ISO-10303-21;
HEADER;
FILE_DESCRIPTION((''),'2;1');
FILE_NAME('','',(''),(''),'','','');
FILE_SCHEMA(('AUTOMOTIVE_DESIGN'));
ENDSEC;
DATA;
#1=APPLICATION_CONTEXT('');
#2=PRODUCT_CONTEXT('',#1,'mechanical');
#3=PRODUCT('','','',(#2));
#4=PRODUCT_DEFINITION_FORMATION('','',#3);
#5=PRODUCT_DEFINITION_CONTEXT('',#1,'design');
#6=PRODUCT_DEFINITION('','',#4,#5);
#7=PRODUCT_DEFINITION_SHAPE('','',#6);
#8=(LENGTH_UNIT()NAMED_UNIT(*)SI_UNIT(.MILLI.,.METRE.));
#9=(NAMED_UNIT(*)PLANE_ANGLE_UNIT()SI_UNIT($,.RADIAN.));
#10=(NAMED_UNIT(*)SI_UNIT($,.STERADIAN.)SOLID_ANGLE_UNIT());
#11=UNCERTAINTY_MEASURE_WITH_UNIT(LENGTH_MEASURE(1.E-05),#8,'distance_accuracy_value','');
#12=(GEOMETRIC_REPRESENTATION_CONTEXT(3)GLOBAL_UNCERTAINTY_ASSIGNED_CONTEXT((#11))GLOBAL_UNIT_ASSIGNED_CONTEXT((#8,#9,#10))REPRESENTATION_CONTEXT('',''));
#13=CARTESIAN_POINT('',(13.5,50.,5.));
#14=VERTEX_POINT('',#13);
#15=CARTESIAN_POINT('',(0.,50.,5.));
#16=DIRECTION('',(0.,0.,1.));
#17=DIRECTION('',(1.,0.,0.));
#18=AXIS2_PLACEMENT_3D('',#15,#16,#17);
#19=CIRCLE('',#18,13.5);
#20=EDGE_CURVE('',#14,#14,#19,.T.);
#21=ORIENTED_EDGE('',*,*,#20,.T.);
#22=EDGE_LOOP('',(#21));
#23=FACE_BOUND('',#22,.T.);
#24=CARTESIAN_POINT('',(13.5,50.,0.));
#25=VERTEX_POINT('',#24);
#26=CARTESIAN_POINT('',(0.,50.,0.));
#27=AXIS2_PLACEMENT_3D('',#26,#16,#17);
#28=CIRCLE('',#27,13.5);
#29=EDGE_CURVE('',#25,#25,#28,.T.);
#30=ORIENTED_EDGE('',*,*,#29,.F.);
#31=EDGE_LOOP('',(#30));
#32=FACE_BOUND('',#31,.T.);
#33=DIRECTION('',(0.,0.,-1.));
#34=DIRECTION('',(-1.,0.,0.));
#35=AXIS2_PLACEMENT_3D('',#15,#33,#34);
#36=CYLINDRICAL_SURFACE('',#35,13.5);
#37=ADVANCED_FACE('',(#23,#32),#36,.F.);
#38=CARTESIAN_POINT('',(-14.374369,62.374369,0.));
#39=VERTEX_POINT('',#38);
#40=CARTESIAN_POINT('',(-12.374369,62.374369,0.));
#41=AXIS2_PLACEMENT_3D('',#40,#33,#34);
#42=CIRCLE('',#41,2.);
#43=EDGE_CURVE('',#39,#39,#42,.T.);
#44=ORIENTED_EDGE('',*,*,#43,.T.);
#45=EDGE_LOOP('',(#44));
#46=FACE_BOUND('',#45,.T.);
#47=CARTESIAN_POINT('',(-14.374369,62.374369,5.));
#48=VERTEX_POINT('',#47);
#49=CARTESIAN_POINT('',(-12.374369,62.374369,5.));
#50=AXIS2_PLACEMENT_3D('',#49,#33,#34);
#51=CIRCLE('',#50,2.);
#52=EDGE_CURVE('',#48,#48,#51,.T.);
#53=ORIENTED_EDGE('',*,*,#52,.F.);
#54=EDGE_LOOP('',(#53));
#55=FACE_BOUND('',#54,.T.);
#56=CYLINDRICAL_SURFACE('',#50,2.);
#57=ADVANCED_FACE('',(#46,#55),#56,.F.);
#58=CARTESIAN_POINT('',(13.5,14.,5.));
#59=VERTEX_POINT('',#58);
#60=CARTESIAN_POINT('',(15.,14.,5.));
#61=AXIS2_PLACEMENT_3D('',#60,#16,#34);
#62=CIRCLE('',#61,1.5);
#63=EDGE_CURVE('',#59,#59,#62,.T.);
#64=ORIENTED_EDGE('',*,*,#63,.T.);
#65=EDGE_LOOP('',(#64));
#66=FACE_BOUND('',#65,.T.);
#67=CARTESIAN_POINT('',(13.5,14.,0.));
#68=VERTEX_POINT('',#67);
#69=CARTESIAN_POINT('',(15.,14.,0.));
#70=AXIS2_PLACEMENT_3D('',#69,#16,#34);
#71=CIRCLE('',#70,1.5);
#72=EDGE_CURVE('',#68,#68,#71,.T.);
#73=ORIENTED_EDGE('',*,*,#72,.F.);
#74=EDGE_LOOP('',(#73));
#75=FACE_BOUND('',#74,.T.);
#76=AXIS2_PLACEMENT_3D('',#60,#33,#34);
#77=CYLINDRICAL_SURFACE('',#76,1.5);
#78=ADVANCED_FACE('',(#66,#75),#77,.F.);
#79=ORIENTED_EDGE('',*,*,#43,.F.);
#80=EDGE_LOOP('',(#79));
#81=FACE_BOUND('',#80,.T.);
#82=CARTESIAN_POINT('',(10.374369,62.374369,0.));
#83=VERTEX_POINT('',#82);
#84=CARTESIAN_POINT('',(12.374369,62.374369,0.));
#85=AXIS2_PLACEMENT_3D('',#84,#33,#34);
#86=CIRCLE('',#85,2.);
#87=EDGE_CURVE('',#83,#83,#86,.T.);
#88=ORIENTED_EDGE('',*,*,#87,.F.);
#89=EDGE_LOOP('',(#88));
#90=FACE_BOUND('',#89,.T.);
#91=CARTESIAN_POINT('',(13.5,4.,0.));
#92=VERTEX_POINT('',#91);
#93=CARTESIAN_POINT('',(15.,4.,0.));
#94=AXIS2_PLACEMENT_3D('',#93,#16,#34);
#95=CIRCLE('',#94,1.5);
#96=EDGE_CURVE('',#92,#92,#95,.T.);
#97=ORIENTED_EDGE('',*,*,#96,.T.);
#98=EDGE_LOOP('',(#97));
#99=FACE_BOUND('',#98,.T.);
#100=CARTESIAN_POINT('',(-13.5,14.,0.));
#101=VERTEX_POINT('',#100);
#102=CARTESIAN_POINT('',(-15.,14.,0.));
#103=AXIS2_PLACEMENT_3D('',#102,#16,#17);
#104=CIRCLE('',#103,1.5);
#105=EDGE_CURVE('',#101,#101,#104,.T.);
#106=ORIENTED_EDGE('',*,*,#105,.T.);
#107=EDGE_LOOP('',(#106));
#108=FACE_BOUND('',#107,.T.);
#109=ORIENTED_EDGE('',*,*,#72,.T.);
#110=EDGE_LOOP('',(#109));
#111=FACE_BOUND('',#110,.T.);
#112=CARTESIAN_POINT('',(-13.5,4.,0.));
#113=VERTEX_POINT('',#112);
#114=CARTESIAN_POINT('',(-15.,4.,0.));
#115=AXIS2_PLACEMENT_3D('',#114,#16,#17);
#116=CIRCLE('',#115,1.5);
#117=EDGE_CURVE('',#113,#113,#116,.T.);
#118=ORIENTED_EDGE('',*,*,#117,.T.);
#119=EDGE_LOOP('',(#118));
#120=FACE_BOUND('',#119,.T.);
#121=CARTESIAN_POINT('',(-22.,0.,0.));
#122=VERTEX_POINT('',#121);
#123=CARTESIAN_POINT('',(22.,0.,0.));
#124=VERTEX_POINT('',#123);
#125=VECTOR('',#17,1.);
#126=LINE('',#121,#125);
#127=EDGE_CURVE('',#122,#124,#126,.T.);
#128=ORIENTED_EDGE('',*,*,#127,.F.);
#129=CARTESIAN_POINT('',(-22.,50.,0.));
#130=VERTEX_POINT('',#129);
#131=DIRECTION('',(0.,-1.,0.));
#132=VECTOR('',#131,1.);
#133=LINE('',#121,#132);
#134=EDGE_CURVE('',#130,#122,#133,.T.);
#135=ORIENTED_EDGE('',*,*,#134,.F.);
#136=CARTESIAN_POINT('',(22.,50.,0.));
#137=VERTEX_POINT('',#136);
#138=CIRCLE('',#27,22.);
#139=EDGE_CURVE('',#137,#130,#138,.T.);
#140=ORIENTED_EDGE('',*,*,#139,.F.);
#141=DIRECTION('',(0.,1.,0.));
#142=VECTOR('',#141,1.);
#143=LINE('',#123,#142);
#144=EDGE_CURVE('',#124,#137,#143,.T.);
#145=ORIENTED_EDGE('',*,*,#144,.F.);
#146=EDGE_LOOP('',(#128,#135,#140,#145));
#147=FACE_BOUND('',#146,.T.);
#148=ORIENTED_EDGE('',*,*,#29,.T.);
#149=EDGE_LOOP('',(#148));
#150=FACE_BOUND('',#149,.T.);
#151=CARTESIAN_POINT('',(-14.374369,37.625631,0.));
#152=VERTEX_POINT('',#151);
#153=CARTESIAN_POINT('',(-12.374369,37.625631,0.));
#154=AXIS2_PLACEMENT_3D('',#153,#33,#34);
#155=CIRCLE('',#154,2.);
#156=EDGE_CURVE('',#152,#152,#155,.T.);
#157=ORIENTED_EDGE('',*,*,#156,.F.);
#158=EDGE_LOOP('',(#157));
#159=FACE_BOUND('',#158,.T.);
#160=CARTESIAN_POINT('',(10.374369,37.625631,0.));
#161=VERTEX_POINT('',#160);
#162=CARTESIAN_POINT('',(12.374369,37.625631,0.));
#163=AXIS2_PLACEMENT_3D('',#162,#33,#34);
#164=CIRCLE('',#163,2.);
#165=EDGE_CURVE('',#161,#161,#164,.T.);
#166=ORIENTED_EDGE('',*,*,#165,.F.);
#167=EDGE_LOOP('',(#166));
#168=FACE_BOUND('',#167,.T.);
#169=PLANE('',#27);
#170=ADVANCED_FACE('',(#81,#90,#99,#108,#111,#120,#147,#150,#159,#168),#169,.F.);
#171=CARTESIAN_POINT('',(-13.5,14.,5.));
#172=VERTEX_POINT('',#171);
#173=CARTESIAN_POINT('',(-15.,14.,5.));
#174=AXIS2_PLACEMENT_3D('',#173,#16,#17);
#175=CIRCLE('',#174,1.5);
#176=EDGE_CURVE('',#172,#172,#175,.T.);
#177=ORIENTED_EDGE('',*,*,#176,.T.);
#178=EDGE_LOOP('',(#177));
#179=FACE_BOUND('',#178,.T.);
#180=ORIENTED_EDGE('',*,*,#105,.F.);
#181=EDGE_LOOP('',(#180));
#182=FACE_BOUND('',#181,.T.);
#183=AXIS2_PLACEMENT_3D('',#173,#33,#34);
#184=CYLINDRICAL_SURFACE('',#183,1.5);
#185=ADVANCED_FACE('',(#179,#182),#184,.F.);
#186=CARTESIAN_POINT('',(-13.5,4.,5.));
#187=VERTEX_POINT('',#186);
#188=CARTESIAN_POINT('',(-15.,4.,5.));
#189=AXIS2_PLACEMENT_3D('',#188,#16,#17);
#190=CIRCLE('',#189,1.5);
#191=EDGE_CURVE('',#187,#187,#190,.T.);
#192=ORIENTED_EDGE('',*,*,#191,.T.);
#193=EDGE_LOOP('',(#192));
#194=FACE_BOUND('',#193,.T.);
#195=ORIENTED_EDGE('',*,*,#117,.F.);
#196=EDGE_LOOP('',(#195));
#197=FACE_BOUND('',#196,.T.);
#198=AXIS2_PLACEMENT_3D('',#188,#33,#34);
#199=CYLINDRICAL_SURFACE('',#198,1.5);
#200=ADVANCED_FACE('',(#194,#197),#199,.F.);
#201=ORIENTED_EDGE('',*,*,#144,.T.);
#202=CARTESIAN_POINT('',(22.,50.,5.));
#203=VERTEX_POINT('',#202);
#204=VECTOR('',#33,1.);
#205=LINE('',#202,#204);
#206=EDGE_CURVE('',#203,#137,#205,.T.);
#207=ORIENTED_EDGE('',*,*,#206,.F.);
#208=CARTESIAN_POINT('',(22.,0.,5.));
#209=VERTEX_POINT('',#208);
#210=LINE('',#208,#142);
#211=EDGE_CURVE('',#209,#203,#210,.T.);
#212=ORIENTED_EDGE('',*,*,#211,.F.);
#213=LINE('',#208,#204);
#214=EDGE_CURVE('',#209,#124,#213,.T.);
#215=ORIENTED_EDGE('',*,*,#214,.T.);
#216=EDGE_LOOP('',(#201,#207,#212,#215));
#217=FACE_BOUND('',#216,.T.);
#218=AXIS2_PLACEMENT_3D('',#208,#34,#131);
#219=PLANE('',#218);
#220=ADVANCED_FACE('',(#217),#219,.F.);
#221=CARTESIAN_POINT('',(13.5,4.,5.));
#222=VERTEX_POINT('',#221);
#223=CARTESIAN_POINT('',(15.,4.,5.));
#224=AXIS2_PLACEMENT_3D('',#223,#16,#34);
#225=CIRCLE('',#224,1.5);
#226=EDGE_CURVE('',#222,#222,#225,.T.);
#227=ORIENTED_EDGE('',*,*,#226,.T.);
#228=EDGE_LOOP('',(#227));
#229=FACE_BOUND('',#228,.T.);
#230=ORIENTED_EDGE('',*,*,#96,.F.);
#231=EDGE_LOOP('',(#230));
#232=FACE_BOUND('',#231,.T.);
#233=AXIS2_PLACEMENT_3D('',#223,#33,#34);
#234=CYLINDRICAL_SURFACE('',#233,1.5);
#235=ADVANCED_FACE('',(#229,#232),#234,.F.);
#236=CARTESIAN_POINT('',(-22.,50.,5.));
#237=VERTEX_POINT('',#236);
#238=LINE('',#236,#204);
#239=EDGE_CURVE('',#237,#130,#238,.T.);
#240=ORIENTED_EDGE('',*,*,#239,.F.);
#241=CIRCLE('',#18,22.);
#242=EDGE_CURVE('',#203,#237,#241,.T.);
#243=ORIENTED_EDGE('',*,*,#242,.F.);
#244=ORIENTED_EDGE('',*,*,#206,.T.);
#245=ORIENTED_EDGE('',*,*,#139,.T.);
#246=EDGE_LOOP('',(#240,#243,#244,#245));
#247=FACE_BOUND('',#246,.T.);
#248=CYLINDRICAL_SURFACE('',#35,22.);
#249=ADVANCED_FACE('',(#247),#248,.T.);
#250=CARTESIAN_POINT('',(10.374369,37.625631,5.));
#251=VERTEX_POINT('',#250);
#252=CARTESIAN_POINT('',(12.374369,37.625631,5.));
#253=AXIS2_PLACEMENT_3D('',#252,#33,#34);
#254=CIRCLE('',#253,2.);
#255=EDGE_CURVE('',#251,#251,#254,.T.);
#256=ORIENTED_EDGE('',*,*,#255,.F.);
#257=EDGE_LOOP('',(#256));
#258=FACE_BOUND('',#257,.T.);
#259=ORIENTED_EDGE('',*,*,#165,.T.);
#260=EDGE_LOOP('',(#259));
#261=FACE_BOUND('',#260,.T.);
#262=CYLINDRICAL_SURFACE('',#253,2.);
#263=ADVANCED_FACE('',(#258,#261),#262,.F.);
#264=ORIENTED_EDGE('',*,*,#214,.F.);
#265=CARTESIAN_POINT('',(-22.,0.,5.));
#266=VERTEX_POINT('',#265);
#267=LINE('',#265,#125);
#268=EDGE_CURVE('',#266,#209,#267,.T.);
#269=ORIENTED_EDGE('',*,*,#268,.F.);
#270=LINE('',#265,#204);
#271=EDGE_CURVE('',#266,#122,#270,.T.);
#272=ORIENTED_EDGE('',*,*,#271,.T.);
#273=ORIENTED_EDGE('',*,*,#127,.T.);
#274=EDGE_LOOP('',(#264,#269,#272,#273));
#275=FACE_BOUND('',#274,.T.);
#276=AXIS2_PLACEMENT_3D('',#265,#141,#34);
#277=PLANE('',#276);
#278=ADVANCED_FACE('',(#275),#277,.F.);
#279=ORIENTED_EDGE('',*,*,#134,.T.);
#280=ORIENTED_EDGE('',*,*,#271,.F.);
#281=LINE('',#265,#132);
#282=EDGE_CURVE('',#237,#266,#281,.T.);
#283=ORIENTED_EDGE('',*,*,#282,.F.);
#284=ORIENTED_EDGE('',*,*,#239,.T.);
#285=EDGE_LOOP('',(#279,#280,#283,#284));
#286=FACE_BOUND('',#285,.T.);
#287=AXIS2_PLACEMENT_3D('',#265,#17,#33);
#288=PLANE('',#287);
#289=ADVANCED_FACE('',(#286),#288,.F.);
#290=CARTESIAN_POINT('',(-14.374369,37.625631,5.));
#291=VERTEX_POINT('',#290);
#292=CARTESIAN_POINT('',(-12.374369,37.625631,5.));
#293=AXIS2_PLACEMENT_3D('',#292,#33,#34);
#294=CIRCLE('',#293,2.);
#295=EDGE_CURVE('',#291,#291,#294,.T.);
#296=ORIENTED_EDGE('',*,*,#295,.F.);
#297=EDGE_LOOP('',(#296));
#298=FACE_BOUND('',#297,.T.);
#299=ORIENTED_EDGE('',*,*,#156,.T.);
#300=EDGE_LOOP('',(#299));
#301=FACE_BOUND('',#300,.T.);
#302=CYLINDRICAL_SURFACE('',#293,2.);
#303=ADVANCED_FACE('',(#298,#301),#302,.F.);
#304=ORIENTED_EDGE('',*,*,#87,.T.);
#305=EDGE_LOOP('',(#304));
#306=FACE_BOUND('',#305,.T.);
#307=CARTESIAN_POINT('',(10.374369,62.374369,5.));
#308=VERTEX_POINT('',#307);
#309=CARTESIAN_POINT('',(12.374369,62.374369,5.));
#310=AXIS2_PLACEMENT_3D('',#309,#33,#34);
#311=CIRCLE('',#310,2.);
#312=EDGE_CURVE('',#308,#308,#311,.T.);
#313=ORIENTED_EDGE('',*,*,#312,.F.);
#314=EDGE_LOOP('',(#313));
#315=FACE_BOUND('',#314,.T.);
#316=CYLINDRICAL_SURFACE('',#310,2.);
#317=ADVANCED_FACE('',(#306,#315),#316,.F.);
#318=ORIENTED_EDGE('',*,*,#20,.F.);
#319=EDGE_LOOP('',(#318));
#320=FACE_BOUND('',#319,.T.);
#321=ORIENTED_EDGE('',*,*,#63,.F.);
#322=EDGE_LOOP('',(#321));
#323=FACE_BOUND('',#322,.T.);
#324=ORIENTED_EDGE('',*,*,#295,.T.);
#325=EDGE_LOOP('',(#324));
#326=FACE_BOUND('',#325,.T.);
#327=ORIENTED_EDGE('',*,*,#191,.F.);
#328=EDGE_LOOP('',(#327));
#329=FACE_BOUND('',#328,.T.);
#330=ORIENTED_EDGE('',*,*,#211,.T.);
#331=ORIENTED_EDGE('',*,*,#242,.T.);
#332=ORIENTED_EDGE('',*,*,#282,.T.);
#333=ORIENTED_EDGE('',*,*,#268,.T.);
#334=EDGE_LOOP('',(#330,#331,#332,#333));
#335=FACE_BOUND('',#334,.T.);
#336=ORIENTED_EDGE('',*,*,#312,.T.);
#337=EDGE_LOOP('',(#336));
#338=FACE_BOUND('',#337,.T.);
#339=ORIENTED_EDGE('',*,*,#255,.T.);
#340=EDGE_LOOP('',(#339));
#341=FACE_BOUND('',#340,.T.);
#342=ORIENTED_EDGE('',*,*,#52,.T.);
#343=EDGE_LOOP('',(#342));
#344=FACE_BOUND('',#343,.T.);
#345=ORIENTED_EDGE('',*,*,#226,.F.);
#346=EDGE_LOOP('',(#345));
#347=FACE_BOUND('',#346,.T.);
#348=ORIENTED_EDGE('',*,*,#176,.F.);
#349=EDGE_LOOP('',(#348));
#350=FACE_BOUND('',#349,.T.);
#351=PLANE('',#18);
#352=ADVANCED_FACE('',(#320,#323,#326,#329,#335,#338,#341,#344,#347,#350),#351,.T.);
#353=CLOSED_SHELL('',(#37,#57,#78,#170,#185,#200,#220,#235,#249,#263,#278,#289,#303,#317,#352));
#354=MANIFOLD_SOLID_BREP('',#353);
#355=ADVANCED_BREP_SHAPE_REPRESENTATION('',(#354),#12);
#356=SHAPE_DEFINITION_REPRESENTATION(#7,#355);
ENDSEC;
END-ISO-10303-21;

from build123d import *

# Parameters (mm, degrees)
SKETCH_1_R          = 1.5
SKETCH_1_R_2        = 13.5
EXTRUDE_1_DEPTH     = 5
SKETCH_2_R          = 2
CUT_EXTRUDE_1_DEPTH = 6


with BuildPart() as part:
    # 草图1 → 凸台-拉伸1 (new body)
    with BuildSketch(Plane.XY):
        with BuildLine():
            Line((-22, 0), (22, 0))
            Line((22, 0), (22, 50))
            ThreePointArc((22, 50), (0, 72), (-22, 50))
            Line((-22, 50), (-22, 0))
        make_face()
        with Locations((-15, 14)):
            Circle(SKETCH_1_R, mode=Mode.SUBTRACT)
        with Locations((-15, 4)):
            Circle(SKETCH_1_R, mode=Mode.SUBTRACT)
        with Locations((15, 4)):
            Circle(SKETCH_1_R, mode=Mode.SUBTRACT)
        with Locations((15, 14)):
            Circle(SKETCH_1_R, mode=Mode.SUBTRACT)
        with Locations((0, 50)):
            Circle(SKETCH_1_R_2, mode=Mode.SUBTRACT)
    extrude(amount=EXTRUDE_1_DEPTH)

    # 草图2 → 切除-拉伸1 (cut, through all)
    with BuildSketch(Plane(origin=(0, 0, 0), x_dir=(-1, 0, 0), z_dir=(0, 0, -1))):
        with Locations((12.374368671, 62.374368671)):
            Circle(SKETCH_2_R)
        with Locations((12.374368671, 37.625631329)):
            Circle(SKETCH_2_R)
        with Locations((-12.374368671, 37.625631329)):
            Circle(SKETCH_2_R)
        with Locations((-12.374368671, 62.374368671)):
            Circle(SKETCH_2_R)
    extrude(amount=-CUT_EXTRUDE_1_DEPTH, mode=Mode.SUBTRACT)


solid = part.part
